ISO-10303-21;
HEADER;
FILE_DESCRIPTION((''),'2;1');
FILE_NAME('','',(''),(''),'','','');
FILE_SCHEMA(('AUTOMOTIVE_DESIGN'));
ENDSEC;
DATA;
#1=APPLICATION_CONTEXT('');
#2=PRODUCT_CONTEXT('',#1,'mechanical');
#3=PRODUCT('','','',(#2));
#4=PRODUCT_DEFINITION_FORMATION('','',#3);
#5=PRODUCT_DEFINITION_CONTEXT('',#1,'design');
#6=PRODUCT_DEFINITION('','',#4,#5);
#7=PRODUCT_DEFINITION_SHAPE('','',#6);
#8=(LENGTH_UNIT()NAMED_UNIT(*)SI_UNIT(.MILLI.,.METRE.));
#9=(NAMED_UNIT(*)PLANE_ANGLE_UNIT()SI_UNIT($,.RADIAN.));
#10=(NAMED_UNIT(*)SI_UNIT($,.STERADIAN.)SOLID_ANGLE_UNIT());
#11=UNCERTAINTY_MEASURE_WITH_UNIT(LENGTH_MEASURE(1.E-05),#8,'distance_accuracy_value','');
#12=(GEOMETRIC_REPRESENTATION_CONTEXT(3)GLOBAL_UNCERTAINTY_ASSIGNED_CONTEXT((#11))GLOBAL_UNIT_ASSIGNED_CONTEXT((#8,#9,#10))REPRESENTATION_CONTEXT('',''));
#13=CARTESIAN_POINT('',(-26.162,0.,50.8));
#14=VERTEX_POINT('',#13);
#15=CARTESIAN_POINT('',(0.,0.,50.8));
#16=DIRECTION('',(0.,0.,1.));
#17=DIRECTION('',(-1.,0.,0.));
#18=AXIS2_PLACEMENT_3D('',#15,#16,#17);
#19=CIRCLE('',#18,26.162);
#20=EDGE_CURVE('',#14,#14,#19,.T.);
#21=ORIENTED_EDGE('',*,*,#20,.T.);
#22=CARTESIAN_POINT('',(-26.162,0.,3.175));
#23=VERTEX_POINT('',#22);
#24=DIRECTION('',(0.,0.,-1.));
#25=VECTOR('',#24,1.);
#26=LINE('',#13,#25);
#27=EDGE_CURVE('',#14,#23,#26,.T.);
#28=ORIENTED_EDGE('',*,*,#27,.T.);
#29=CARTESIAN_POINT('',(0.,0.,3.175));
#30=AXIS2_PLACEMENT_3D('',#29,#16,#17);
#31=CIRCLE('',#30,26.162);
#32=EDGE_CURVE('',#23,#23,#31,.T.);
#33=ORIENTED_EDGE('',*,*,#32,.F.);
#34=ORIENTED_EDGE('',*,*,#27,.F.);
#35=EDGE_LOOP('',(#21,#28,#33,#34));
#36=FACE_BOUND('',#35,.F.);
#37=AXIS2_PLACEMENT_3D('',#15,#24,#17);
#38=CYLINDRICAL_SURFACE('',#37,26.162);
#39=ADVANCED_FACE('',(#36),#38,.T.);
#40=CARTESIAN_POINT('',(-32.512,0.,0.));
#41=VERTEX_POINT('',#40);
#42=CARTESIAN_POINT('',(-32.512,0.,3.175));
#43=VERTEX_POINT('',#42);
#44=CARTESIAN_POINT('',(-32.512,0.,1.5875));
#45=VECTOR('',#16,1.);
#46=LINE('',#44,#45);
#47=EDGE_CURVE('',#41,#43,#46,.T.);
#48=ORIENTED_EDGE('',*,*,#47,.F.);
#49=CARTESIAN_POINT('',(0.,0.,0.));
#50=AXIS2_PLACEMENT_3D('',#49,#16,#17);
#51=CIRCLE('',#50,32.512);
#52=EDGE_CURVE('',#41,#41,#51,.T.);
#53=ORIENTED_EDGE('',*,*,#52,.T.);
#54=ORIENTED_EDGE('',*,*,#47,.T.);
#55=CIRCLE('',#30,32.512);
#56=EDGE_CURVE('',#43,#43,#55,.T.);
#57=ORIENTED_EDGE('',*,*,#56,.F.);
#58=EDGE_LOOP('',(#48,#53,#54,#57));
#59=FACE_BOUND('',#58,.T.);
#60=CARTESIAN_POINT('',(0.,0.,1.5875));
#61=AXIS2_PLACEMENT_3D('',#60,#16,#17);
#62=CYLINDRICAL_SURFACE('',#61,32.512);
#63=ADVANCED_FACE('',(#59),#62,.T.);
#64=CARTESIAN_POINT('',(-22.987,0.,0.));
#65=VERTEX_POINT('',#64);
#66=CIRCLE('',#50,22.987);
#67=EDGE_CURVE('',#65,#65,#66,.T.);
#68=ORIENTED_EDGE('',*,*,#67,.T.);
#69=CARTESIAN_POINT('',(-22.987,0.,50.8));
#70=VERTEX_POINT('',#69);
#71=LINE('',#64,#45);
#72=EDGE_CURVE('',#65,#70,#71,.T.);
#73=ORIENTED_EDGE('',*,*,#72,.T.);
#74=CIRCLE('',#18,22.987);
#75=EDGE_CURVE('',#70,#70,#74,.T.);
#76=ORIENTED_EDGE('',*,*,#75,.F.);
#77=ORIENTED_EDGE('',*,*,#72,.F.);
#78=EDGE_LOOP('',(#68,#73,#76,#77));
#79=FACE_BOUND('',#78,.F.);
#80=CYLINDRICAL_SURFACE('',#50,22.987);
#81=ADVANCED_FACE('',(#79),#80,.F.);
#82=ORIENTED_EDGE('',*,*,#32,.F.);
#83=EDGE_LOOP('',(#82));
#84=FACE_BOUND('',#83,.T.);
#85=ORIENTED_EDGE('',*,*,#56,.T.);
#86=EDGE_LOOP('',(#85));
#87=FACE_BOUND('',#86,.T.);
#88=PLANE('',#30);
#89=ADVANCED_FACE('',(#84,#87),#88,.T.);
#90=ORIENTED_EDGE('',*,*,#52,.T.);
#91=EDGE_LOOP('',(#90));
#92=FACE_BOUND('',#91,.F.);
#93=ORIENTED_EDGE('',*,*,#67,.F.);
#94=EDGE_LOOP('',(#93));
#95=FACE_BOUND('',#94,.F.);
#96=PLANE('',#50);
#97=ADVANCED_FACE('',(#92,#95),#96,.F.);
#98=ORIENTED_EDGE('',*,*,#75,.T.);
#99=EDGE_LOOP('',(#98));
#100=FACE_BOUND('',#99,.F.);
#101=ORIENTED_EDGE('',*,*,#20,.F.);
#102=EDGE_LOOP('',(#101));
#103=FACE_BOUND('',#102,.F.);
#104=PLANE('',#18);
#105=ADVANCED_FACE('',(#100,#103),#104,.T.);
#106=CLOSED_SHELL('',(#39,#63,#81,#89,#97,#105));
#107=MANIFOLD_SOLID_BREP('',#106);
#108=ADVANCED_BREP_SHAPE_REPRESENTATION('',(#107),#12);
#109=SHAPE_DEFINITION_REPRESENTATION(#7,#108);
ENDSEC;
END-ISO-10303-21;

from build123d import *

# Parameters (mm, degrees)
F0_W = 6.35
F0_H = 3.175


with BuildPart() as f1:
    # F0 (on Front) → F1 (revolve)
    with BuildSketch(Plane.XZ):
        Polygon((-22.987, 50.8), (-26.162, 50.8), (-26.162, 3.175), (-26.162, 0), (-22.987, 0), align=None)
        with Locations((-29.337, 1.5875)):
            Rectangle(F0_W, F0_H)
    revolve(axis=Axis((0, 0, 25.4), (0, 0, 1)))


solid = f1.part
